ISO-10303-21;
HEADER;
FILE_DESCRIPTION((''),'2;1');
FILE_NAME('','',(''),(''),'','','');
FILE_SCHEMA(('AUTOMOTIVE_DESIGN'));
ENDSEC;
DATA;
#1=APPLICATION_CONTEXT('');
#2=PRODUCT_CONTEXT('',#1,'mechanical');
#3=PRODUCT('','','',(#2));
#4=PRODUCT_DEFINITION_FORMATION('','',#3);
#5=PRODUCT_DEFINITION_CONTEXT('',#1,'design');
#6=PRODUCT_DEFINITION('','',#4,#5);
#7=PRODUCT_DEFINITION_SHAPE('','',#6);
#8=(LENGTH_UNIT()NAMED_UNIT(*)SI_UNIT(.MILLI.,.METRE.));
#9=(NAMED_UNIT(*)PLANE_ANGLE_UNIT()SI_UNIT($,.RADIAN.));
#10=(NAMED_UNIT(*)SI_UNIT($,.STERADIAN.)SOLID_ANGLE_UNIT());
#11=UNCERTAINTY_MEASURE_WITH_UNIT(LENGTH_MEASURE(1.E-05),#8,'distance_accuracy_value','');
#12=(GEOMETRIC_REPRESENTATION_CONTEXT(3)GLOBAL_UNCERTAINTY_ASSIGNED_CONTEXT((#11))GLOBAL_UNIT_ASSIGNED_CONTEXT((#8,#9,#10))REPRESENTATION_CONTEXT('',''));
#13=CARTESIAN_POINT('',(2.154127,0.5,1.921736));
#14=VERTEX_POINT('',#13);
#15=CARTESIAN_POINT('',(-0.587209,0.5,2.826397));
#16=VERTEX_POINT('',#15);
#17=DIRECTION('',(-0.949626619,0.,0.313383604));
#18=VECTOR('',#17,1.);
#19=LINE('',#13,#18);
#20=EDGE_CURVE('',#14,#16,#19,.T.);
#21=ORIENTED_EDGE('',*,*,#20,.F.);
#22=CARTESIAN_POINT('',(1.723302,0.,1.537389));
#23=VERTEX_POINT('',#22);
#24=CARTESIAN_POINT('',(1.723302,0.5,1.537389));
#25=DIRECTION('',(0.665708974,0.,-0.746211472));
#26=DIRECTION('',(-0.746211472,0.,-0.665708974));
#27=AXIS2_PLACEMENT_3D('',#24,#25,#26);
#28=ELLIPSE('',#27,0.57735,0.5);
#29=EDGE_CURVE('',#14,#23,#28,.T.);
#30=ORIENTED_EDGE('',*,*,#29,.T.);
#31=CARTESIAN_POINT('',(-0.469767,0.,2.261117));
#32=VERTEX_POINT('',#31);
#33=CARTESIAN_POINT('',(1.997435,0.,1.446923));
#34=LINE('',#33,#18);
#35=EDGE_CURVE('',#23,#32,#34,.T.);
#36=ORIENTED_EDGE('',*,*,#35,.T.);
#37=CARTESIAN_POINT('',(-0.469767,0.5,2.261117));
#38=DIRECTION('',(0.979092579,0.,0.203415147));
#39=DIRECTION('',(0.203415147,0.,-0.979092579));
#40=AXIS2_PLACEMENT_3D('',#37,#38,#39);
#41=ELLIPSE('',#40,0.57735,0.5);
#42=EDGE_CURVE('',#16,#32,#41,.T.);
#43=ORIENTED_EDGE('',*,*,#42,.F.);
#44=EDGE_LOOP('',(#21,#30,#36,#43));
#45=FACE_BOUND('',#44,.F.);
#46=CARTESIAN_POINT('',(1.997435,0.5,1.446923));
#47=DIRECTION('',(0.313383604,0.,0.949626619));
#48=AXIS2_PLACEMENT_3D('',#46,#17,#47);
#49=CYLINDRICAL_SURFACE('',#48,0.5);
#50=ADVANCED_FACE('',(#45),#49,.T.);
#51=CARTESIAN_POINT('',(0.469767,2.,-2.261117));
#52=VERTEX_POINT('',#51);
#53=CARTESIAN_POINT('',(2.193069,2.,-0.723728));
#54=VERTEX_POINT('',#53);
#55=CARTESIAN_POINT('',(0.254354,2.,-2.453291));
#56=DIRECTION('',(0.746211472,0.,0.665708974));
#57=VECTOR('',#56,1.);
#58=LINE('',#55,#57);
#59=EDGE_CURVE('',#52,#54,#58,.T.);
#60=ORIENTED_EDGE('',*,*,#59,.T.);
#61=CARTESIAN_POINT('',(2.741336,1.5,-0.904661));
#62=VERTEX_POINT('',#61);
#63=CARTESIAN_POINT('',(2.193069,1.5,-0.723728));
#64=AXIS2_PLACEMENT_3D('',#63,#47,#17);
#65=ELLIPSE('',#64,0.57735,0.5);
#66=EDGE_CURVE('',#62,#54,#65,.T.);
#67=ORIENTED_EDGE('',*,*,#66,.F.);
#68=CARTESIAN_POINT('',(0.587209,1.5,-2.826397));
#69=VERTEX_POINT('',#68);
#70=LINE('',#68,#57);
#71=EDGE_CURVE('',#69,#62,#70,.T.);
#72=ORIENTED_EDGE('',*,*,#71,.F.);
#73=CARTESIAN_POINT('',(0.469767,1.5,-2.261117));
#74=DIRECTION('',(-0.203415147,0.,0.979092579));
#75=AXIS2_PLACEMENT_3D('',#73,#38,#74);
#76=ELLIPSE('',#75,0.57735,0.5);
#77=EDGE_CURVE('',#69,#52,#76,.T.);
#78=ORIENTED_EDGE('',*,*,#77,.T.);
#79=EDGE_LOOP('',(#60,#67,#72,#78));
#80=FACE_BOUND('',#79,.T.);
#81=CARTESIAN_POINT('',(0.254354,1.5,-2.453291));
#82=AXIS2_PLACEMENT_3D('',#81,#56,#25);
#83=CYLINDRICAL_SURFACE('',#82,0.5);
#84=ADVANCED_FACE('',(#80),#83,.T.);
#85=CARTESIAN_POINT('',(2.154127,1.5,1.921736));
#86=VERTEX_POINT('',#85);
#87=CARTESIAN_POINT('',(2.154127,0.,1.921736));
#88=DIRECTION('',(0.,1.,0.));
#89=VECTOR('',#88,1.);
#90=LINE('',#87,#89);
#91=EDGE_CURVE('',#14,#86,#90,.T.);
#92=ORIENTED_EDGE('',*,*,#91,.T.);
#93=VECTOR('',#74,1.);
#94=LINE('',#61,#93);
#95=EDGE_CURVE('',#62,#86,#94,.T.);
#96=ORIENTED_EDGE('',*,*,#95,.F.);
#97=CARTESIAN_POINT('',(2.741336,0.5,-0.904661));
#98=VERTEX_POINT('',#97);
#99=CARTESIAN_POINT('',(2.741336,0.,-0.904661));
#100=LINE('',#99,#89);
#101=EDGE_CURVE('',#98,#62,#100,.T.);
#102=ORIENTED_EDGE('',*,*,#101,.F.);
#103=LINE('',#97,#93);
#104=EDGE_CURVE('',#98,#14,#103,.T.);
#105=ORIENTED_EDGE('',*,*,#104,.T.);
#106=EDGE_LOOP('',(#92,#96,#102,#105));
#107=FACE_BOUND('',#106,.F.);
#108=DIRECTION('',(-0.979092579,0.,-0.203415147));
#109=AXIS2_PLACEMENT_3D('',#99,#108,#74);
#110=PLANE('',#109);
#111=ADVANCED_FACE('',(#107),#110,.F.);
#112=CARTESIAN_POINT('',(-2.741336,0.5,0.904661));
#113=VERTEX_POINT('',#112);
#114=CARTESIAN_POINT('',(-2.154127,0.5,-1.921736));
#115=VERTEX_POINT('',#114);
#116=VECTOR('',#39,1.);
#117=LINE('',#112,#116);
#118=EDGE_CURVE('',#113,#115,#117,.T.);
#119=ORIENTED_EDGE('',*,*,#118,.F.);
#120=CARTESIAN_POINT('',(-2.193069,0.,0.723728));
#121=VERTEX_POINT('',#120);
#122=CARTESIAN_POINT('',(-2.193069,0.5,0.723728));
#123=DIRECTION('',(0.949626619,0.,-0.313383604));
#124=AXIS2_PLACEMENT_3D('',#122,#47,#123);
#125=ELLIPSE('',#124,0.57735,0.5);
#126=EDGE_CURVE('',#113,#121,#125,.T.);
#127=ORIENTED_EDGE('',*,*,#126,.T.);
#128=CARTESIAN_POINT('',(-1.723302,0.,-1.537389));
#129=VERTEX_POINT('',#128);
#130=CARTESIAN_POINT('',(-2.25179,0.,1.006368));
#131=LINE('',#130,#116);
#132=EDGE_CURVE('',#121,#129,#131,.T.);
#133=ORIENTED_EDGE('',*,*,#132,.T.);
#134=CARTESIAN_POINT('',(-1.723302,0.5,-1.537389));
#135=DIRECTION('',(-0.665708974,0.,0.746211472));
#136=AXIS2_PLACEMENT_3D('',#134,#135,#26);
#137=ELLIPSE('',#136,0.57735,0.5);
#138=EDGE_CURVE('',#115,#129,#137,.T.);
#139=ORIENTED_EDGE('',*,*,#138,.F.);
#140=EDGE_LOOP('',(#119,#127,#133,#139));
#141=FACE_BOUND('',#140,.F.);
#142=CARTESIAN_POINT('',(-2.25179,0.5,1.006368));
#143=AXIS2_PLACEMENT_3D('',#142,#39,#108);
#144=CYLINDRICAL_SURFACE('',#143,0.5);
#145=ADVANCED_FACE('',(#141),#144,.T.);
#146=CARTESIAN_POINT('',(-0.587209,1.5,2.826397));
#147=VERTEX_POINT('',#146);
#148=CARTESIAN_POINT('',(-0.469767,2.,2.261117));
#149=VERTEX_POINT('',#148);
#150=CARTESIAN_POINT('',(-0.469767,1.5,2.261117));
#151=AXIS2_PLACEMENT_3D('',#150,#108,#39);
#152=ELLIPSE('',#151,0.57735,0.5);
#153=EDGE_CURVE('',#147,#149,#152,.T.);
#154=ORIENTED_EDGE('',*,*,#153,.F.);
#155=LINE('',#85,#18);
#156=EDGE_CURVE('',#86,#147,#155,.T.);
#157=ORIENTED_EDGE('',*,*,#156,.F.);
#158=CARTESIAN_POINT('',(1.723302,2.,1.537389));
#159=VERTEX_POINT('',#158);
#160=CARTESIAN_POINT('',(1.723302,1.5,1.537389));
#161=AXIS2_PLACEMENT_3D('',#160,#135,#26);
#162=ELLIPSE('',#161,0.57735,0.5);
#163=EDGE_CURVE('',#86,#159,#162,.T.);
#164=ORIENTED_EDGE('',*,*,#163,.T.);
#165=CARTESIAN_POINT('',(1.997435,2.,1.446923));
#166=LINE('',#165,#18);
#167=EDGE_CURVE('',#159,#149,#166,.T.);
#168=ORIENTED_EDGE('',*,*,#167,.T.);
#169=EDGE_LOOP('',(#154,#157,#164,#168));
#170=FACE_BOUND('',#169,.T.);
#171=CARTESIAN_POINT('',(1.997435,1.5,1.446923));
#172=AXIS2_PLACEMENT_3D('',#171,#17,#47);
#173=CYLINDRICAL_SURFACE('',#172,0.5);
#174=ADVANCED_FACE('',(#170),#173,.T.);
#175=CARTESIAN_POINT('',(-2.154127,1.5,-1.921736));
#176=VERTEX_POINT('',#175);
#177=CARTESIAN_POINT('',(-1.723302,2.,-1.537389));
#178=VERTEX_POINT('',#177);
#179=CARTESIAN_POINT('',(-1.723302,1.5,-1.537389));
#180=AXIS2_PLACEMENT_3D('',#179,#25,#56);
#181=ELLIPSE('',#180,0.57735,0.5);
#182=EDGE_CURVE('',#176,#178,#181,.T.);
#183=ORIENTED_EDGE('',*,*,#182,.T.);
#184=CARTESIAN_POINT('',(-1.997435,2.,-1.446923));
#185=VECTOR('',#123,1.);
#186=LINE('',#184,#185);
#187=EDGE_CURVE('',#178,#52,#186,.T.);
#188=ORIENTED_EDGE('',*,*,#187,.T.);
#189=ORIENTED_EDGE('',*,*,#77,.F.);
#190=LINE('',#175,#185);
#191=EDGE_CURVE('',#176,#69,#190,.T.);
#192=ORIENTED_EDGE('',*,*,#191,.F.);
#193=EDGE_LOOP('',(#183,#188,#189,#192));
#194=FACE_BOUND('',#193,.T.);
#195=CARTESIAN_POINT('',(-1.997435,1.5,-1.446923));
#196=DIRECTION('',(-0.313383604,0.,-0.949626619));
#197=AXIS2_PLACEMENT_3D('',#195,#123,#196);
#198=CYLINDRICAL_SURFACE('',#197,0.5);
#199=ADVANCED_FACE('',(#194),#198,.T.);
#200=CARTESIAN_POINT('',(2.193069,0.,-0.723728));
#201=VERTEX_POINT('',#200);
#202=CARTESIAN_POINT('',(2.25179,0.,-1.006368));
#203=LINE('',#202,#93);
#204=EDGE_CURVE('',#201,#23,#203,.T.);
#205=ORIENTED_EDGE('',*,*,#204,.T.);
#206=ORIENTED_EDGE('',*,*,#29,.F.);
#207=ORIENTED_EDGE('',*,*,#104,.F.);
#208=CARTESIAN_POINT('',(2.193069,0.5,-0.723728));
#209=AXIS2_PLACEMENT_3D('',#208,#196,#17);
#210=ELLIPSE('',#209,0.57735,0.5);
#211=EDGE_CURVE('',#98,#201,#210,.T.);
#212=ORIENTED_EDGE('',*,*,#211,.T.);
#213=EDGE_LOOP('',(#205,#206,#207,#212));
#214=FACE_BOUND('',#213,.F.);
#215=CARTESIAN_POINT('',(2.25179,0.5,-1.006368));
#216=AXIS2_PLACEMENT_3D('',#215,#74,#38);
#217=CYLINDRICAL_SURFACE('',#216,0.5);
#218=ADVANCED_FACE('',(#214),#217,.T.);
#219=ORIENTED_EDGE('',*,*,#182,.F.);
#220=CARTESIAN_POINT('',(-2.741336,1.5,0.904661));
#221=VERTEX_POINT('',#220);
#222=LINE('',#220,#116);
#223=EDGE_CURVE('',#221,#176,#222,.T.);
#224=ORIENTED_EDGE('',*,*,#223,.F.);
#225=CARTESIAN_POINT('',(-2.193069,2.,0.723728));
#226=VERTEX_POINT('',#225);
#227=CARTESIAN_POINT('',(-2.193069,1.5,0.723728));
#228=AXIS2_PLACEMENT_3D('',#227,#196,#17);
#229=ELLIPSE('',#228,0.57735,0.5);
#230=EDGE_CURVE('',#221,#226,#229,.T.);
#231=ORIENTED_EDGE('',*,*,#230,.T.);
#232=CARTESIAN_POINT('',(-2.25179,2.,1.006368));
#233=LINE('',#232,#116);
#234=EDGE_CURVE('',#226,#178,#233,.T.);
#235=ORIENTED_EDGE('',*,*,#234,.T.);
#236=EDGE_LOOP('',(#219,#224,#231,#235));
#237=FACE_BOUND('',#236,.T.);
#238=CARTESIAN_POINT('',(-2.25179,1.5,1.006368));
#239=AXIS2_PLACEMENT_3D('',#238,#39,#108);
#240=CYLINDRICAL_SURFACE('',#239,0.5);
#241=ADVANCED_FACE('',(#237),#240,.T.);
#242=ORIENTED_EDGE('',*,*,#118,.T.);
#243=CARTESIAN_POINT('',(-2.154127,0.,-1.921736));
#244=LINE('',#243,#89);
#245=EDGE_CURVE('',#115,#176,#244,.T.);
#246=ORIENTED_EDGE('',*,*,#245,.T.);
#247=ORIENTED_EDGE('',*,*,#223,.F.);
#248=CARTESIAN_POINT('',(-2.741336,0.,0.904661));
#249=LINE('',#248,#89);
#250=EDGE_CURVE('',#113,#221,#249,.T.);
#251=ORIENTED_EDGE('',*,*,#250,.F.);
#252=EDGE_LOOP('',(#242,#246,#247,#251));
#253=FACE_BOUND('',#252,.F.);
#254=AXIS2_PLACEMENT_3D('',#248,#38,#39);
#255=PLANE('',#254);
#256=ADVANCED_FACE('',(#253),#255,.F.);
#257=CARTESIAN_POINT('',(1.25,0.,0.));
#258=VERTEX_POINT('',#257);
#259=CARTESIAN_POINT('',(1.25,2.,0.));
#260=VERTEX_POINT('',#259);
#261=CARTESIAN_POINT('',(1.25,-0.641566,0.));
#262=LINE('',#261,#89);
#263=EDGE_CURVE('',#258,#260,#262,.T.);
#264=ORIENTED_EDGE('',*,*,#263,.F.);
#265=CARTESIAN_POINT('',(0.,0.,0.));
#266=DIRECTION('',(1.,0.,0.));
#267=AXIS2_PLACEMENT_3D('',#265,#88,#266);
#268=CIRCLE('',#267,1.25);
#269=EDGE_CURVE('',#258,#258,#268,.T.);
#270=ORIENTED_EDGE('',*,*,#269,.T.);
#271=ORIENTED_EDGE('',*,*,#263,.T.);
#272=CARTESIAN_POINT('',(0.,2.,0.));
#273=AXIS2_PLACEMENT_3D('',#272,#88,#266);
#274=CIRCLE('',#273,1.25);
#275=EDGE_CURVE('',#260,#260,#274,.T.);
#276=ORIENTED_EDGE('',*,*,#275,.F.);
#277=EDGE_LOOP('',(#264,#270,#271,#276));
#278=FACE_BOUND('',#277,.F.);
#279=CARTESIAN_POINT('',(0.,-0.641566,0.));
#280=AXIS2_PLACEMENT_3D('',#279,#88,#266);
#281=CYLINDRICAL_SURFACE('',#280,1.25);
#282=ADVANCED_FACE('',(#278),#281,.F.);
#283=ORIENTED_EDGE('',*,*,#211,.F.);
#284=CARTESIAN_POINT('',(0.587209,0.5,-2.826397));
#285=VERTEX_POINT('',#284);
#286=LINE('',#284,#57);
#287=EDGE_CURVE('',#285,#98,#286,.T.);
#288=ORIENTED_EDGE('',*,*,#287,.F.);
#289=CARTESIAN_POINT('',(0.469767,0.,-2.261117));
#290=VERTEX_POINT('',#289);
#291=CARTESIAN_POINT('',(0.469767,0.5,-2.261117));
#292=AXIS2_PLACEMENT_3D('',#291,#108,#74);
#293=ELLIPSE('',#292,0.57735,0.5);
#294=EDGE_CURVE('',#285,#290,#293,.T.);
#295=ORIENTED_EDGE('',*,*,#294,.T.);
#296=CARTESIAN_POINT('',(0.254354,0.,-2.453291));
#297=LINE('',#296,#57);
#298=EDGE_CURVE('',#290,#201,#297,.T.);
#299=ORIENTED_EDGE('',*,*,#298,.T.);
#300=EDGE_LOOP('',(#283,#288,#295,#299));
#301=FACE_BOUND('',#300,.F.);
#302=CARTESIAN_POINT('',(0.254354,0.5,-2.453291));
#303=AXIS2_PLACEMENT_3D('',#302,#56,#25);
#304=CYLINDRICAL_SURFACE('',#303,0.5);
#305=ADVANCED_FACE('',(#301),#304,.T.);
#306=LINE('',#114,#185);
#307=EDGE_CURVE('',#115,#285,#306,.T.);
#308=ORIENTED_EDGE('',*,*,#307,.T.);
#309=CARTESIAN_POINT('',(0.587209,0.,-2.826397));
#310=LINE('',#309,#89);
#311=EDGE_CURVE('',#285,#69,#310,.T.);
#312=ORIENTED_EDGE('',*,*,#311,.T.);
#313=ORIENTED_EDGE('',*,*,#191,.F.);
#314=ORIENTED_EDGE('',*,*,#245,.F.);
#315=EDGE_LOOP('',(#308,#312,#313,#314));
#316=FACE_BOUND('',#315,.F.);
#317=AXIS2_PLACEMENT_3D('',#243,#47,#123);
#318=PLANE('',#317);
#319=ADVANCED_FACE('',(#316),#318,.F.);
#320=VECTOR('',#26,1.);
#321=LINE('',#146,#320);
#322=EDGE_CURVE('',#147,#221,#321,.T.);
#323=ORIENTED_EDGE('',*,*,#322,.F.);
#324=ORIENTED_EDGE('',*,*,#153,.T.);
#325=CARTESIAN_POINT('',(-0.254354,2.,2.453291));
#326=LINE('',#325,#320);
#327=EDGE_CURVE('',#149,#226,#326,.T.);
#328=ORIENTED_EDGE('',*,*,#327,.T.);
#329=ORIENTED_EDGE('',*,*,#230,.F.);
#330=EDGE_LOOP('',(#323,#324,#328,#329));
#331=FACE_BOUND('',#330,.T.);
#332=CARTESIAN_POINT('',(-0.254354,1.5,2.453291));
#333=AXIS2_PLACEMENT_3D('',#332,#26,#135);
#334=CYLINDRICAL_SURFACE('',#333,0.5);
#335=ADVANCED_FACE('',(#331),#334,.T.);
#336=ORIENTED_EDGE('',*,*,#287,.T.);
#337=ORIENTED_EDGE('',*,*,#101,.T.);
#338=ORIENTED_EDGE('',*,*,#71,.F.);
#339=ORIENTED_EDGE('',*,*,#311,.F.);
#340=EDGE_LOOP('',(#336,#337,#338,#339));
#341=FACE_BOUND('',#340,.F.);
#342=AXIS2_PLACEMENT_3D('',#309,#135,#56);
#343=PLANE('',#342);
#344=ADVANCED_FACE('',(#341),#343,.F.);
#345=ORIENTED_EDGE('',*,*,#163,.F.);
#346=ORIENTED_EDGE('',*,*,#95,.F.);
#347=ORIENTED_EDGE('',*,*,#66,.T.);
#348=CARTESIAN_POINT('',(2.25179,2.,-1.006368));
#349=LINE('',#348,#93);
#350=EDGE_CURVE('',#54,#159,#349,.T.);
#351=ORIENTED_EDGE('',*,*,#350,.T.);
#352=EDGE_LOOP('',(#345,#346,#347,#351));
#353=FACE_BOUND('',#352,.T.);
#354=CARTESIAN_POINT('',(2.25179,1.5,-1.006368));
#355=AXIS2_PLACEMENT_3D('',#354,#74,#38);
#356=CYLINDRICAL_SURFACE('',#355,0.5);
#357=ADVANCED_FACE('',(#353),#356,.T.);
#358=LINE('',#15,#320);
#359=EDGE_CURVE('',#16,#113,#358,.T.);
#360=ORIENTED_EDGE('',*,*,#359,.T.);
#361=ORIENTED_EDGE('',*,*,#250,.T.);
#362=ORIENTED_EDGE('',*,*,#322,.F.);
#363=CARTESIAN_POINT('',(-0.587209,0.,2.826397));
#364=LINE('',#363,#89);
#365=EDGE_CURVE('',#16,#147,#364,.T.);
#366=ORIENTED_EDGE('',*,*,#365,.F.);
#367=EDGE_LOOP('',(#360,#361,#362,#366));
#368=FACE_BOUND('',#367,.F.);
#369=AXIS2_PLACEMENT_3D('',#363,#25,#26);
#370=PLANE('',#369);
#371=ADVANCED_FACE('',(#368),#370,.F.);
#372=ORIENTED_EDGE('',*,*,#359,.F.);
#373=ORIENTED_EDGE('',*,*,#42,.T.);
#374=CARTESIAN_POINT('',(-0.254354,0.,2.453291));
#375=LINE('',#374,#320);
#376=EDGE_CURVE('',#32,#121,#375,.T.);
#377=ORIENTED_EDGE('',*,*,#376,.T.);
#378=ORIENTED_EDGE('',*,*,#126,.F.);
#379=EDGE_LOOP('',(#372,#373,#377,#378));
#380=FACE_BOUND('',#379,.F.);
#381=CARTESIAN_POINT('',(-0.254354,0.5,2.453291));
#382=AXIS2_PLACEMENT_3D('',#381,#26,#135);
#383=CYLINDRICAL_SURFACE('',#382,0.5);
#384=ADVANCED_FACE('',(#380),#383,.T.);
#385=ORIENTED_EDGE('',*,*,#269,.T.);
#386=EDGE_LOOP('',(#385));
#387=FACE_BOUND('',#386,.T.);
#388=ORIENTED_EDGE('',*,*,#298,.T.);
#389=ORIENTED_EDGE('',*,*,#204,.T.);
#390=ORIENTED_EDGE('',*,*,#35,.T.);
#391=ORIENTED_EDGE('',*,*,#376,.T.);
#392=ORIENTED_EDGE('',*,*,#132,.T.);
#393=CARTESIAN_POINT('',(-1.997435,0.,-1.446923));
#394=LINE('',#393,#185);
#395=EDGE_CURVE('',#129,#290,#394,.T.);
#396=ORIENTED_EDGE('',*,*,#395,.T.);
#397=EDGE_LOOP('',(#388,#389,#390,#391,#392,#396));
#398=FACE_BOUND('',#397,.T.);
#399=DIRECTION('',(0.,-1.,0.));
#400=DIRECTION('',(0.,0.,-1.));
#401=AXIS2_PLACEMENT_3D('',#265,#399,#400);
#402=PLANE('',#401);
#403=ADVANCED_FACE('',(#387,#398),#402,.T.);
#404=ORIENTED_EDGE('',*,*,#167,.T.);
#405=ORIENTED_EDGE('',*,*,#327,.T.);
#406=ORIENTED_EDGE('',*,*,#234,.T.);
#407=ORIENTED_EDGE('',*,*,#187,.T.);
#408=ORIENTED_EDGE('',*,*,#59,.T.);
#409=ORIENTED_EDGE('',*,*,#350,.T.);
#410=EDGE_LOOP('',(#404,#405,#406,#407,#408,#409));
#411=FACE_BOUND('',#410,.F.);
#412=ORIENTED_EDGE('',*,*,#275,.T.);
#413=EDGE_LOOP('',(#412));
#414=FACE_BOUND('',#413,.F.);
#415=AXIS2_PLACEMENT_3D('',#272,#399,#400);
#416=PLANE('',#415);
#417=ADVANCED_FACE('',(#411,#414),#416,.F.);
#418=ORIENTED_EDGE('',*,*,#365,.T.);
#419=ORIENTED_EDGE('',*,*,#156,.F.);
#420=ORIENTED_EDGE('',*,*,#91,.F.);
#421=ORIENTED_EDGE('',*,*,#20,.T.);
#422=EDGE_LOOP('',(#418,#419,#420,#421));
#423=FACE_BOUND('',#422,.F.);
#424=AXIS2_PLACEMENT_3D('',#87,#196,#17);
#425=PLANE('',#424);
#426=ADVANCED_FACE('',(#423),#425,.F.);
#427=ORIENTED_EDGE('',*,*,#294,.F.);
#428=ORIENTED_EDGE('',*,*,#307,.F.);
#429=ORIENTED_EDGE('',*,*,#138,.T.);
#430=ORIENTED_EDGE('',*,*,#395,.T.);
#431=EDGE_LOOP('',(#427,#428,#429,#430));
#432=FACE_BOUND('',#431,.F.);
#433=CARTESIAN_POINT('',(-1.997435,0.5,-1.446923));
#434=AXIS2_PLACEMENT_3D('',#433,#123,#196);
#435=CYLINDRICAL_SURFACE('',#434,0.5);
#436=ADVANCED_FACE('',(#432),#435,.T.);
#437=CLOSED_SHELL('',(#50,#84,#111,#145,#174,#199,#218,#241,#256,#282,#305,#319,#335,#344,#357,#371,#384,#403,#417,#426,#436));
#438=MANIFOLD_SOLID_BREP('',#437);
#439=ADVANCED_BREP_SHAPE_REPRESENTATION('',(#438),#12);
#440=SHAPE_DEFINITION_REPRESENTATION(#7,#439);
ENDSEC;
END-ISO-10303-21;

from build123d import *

# Parameters (mm, degrees)
F3_R = 0.5
F4_R = 1.25


with BuildPart() as f2:
    # F2: sweep along a path in F1
    with BuildLine(Plane.XY) as f2_path:
        Line((0, 0), (0, 2))
    # F0 (on Front) → F2 (sweep)
    with BuildSketch(Plane.XZ):
        Polygon((-0.5872089498, 2.8263968197), (-2.741335922, 0.904660542), (-2.1541269722, -1.9217362777), (0.5872089498, -2.8263968197), (2.741335922, -0.904660542), (2.1541269722, 1.9217362777), align=None)
    sweep(path=f2_path.line)

    # F3
    f3_edges = [f2.edges().sort_by_distance(p)[0] for p in [
        (-2.447731, 0, -0.508538),
        (-1.664272, 0, 1.865529),
        (0.783459, 0, 2.374067),
        (2.447731, 0, 0.508538),
        (1.664272, 0, -1.865529),
        (-0.783459, 0, -2.374067),
        (-1.664272, 2, 1.865529),
        (0.783459, 2, 2.374067),
        (2.447731, 2, 0.508538),
        (1.664272, 2, -1.865529),
        (-0.783459, 2, -2.374067),
        (-2.447731, 2, -0.508538),
    ]]
    fillet(f3_edges, radius=F3_R)

    # F6: sweep along a path in F5
    with BuildLine(Plane.XY) as f6_path:
        Line((0, -0.6415657117), (0, 2.5134647731))
    # F4 (on Front) → F6 (sweep, cut)
    with BuildSketch(Plane.XZ):
        Circle(F4_R)
    sweep(path=f6_path.line, mode=Mode.SUBTRACT)


solid = f2.part
